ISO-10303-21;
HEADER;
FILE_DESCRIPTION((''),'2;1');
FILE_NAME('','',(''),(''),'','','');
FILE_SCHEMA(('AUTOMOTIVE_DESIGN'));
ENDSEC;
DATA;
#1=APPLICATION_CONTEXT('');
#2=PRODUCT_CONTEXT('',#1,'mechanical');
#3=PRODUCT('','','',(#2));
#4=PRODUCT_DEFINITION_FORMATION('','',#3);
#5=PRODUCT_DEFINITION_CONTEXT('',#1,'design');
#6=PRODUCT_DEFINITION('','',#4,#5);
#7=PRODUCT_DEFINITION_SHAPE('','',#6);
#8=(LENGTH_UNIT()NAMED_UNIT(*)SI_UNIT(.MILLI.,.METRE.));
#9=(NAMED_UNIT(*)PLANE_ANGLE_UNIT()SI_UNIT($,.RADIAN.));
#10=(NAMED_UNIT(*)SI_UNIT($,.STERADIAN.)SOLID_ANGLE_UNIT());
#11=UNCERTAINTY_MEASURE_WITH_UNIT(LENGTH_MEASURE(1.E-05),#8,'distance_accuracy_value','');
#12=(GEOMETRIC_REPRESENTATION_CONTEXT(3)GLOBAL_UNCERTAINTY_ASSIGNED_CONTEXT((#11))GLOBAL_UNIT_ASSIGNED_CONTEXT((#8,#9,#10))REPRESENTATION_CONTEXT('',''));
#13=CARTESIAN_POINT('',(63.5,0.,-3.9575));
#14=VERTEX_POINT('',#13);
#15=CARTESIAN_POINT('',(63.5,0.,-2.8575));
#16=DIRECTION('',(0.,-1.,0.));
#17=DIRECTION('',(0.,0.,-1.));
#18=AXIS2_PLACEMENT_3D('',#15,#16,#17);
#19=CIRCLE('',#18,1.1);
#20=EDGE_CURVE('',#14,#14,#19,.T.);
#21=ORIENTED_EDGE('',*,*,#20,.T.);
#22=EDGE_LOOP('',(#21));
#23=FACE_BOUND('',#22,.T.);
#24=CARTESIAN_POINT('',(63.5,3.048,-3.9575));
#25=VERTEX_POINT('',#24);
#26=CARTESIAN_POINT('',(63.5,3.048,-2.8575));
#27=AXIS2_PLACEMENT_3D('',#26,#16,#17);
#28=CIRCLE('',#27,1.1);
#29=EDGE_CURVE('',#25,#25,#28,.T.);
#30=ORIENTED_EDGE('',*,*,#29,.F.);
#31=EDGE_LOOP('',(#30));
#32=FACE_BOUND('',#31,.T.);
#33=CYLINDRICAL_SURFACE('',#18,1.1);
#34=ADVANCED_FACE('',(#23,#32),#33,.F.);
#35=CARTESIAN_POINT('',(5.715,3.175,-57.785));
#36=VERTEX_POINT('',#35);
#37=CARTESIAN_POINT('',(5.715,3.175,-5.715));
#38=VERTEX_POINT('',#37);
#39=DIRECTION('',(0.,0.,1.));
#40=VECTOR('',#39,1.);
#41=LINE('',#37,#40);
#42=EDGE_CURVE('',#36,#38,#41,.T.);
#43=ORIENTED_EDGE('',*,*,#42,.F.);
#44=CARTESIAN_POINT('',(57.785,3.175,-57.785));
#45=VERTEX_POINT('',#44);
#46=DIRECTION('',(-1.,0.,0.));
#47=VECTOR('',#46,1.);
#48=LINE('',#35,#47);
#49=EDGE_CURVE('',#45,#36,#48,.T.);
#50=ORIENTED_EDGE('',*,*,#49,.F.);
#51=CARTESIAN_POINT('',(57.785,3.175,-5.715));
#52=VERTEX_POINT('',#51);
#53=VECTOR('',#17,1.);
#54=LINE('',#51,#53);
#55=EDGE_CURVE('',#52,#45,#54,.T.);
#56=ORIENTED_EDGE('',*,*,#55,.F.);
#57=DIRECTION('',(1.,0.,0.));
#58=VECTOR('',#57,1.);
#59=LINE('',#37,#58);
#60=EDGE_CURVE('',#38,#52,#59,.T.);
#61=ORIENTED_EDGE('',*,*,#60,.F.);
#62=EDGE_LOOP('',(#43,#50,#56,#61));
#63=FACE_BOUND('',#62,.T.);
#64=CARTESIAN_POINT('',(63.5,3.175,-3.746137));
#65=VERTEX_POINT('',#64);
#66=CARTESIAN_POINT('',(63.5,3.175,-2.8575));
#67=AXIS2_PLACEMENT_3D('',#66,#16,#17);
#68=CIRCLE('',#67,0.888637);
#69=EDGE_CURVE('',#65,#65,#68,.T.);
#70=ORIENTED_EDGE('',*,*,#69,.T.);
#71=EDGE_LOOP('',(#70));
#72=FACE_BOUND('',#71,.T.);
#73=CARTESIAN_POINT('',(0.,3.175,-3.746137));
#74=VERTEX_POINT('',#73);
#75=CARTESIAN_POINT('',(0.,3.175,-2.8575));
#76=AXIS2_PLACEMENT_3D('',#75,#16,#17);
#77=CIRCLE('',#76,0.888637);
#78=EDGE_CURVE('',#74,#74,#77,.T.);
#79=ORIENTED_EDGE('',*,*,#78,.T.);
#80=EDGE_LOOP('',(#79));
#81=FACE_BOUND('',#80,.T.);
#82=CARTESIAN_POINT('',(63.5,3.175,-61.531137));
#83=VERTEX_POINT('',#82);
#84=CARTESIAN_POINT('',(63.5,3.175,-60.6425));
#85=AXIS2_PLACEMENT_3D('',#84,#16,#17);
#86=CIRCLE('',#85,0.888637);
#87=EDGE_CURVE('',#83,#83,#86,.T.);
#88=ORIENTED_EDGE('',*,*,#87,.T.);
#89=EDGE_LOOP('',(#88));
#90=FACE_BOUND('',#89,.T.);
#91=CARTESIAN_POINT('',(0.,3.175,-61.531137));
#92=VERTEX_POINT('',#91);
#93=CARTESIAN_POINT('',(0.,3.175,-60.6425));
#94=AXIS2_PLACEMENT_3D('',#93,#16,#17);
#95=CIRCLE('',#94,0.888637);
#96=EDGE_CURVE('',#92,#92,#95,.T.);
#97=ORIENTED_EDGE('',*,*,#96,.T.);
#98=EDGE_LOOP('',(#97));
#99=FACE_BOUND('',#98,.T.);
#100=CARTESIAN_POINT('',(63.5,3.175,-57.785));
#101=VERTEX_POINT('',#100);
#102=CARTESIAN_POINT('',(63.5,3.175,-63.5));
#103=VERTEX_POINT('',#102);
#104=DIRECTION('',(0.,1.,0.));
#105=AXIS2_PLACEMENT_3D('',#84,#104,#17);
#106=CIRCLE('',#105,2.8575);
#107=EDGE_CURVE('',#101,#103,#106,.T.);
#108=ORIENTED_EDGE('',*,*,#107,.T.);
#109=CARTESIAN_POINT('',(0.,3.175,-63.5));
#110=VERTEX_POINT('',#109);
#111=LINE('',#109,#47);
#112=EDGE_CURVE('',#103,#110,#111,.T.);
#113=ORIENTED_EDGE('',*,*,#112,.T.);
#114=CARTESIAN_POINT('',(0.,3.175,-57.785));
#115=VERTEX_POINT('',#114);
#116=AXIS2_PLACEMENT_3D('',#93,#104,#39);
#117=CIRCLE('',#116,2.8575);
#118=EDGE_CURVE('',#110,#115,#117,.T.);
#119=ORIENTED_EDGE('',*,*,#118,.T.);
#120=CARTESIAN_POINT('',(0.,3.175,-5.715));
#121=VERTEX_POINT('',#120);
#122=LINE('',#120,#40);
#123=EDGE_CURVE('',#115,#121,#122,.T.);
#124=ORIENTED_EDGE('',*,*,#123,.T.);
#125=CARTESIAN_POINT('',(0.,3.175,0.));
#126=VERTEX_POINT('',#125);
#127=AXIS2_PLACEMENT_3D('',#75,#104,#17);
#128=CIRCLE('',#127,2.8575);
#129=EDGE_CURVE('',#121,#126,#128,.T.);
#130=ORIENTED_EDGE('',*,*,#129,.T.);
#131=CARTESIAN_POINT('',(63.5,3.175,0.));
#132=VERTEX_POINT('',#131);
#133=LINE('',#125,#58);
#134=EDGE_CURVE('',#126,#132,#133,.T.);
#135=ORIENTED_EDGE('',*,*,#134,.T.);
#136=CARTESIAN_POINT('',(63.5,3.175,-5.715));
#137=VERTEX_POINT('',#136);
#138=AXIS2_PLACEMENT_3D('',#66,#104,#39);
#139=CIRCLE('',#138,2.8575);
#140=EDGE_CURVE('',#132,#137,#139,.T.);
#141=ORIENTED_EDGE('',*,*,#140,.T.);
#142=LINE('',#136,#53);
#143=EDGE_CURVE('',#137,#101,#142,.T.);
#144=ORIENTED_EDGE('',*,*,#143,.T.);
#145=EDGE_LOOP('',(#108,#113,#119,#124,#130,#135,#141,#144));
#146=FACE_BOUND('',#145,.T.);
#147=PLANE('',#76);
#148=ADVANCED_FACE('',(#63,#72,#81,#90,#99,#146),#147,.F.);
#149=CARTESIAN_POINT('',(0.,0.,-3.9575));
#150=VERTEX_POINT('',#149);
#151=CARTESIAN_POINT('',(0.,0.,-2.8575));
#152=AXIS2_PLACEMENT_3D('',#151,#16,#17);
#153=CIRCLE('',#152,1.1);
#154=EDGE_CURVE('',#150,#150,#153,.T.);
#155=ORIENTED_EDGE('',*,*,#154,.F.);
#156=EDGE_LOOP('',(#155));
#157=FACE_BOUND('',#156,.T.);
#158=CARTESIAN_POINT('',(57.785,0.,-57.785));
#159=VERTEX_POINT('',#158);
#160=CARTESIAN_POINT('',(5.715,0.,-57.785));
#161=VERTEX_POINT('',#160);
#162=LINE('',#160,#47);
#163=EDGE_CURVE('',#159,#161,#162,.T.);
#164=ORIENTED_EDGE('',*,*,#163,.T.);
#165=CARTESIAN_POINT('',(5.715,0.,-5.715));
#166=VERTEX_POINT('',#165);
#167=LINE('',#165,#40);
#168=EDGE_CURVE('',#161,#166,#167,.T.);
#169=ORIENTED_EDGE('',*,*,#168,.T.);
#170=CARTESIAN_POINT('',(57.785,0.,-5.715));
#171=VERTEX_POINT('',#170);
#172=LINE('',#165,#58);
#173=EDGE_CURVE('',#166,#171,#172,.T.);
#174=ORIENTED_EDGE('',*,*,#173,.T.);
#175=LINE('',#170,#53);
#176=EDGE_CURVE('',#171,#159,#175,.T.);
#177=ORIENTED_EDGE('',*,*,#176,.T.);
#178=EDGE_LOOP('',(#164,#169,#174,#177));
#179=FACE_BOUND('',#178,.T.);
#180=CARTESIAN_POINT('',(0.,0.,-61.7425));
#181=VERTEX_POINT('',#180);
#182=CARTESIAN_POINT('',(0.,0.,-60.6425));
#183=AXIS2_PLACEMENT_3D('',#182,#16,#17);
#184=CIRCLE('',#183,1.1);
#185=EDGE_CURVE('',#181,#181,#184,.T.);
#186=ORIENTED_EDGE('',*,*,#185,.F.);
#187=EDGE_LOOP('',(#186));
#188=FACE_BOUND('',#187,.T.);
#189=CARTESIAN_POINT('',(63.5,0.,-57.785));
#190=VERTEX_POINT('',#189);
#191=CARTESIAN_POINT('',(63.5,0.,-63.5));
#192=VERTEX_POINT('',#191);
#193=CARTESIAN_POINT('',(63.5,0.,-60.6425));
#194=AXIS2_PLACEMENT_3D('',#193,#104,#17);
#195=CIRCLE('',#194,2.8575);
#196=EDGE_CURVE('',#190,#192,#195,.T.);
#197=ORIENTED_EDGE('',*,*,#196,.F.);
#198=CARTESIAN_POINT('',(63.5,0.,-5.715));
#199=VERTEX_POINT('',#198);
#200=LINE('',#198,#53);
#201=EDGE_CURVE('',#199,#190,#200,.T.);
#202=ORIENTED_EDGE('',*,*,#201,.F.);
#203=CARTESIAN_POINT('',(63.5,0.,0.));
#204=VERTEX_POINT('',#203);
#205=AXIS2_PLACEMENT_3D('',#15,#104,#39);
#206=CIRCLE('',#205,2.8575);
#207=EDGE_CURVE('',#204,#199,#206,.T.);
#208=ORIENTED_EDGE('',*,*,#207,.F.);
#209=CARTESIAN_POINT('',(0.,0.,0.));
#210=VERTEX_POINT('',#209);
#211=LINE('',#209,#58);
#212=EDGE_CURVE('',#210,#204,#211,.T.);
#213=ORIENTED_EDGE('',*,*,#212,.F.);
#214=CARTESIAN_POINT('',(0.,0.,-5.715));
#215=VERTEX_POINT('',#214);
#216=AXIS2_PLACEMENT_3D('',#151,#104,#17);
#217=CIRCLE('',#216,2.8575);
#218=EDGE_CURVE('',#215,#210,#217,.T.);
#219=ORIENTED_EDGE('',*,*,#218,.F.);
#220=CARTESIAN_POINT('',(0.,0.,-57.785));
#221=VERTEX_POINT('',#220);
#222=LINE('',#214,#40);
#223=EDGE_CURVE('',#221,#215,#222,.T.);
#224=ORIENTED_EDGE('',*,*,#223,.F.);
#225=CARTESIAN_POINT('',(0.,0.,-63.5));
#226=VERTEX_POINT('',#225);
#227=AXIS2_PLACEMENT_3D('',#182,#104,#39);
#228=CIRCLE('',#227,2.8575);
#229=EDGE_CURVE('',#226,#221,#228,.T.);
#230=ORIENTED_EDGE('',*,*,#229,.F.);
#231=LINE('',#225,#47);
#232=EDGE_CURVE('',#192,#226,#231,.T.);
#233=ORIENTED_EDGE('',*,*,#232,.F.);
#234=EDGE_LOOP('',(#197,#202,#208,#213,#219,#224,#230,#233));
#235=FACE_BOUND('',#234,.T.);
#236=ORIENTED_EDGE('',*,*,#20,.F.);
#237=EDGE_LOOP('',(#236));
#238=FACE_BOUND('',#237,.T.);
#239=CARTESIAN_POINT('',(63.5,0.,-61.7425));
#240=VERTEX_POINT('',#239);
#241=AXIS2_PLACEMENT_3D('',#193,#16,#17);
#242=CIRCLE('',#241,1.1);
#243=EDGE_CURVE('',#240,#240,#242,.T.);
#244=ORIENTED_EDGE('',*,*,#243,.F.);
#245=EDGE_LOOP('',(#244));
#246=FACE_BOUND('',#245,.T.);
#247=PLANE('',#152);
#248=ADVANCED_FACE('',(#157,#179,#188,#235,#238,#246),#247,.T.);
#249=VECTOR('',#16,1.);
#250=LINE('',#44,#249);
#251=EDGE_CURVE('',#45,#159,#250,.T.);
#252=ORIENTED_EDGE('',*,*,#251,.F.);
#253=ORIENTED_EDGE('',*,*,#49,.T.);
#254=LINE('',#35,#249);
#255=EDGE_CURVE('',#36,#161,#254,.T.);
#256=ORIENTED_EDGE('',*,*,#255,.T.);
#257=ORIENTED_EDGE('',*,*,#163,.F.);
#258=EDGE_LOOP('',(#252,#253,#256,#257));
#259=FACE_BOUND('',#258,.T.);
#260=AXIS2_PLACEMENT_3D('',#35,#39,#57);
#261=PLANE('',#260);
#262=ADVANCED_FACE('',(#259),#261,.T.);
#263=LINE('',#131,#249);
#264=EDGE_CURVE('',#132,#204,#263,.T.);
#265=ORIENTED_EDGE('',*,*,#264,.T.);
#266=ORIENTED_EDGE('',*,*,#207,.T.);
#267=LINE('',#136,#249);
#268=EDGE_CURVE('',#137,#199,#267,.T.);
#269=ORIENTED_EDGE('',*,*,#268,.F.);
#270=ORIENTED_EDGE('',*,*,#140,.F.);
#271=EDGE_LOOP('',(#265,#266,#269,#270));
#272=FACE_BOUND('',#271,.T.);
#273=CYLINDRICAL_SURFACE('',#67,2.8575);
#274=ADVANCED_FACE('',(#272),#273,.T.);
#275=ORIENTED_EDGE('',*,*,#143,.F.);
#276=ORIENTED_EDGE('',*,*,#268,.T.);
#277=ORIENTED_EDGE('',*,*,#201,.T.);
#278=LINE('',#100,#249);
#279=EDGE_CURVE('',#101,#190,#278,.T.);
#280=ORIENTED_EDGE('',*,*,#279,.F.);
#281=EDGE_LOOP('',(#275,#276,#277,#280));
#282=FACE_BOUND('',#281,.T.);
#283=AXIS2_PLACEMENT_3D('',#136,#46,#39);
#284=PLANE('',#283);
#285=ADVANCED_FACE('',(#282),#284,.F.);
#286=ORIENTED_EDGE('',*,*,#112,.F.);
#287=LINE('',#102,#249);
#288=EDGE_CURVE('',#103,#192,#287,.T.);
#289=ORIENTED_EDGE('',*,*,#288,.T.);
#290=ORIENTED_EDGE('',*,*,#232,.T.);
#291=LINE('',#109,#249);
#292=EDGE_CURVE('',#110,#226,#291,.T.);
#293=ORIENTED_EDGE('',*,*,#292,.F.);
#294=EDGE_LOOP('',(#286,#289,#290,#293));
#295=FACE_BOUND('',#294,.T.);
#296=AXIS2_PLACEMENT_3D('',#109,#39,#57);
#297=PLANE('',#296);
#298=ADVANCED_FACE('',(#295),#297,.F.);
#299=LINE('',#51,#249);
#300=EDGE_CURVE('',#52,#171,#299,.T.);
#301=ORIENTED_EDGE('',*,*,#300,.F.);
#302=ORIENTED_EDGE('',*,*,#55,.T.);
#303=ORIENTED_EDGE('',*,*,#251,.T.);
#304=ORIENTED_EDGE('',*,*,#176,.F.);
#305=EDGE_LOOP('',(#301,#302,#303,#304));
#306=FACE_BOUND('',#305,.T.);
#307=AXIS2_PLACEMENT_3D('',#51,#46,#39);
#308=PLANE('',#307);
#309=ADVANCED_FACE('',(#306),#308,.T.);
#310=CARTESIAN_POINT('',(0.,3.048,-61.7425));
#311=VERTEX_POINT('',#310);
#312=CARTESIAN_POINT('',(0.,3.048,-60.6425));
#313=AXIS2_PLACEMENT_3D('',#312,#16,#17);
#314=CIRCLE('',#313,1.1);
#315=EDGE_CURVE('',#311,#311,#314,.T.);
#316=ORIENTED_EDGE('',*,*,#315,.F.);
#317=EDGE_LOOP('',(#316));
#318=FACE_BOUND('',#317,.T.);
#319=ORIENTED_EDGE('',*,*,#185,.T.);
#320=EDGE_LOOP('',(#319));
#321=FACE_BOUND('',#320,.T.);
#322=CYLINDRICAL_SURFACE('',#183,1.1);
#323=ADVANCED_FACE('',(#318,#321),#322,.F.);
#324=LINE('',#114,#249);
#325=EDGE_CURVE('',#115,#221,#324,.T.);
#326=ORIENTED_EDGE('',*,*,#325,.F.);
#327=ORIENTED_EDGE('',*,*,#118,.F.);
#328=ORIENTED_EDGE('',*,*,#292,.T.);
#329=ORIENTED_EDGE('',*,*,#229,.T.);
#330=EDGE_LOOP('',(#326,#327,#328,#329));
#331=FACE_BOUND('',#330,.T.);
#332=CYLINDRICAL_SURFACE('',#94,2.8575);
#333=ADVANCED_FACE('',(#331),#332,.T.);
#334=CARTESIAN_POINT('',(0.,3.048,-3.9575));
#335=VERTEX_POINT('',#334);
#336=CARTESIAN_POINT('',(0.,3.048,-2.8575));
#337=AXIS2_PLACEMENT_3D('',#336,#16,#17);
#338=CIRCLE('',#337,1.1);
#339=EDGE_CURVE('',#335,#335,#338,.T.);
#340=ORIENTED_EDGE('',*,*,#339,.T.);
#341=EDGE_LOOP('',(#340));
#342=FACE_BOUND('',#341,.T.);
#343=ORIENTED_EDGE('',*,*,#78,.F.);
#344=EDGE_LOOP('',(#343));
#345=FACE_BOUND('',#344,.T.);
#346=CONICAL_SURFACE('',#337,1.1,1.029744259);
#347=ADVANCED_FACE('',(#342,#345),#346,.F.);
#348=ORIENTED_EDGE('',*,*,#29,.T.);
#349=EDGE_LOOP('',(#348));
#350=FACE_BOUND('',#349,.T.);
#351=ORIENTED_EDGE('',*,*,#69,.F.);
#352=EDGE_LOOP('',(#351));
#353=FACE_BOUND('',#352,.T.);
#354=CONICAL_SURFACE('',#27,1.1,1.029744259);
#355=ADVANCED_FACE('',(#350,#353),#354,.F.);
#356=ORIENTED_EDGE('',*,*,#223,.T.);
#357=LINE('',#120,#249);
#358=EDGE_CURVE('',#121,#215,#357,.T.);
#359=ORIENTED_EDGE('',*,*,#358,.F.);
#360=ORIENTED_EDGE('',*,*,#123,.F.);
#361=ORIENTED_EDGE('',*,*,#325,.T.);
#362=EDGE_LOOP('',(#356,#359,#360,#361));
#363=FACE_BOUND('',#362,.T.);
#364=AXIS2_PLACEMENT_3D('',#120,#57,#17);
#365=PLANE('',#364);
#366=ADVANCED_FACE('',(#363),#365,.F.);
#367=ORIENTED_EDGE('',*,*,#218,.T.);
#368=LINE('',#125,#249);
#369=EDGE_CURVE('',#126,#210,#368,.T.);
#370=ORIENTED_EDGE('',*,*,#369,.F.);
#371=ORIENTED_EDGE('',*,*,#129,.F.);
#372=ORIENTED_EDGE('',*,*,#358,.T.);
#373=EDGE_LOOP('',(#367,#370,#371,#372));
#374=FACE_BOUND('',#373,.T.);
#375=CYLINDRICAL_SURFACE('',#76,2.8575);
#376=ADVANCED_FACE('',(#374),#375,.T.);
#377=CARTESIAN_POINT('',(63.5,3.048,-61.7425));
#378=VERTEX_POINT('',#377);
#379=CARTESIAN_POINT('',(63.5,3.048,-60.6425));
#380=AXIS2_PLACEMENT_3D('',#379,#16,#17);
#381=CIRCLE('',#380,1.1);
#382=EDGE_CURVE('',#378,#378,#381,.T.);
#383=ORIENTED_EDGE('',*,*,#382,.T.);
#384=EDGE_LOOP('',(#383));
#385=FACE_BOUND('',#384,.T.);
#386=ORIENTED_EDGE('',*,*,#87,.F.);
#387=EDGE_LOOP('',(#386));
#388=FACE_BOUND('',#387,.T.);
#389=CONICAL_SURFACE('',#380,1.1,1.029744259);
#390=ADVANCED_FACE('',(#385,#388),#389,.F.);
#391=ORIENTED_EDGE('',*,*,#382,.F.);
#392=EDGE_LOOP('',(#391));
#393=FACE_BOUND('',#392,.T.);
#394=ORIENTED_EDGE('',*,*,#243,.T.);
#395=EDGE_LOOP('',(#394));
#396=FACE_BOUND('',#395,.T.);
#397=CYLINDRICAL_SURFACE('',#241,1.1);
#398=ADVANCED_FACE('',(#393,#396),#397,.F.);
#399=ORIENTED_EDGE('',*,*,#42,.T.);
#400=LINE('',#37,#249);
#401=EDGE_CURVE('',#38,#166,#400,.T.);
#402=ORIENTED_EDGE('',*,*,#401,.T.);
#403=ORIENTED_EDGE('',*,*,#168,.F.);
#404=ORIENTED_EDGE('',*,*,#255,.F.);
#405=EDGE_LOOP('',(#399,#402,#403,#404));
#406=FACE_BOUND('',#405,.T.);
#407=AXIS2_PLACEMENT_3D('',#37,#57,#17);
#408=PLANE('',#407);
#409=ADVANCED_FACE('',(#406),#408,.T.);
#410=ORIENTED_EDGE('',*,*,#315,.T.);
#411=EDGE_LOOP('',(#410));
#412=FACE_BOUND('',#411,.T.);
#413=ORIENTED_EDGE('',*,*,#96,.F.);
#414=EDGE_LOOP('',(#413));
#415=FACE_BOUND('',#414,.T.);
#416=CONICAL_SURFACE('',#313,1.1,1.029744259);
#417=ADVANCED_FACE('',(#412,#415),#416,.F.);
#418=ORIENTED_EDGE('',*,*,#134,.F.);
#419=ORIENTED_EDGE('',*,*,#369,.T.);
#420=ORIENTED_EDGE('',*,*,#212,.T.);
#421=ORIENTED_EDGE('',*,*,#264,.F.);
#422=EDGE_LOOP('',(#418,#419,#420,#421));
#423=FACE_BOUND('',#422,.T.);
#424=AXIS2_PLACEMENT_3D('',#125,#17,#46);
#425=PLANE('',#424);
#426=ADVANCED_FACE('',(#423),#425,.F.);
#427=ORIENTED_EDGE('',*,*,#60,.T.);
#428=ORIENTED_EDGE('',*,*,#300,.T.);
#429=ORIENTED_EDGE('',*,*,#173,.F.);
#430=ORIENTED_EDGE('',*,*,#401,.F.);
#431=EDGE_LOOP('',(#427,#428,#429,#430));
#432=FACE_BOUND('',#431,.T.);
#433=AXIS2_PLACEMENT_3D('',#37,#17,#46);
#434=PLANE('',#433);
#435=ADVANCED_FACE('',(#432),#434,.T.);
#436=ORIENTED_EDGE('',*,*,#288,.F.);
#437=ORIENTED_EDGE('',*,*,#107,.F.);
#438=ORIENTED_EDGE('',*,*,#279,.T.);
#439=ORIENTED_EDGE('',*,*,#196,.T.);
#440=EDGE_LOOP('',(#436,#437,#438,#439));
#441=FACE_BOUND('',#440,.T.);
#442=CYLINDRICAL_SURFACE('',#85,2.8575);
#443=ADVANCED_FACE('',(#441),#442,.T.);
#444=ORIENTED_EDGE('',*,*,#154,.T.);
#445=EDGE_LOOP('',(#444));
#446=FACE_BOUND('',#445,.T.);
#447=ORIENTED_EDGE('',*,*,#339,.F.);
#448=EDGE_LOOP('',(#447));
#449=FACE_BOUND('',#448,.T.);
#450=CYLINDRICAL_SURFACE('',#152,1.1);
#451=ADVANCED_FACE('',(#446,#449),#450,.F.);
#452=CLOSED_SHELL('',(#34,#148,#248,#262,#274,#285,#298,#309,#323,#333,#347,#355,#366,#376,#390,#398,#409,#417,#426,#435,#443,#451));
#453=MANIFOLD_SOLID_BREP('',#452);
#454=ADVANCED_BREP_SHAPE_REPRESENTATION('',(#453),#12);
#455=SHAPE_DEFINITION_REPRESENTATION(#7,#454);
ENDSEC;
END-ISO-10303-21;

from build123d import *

# Parameters (mm, degrees)
SKETCH1_W                = 52.07
SKETCH1_H                = 52.07
BOSS_EXTRUDE1_DEPTH      = 3.175
M2_CLEARANCE_HOLE1_D     = 2.2
M2_CLEARANCE_HOLE1_DEPTH = 3.048
M2_CLEARANCE_HOLE1_TIP   = 0.660946681


with BuildPart() as part:
    # Sketch1 → Boss-Extrude1 (new body)
    with BuildSketch(Plane(origin=(0, 0, 0), x_dir=(1, 0, 0), z_dir=(0, 1, 0))):
        with BuildLine():
            Line((0, 0), (63.5, 0))
            ThreePointArc((63.5, 0), (66.3575, 2.8575), (63.5, 5.715))
            Line((63.5, 5.715), (63.5, 57.785))
            ThreePointArc((63.5, 57.785), (66.3575, 60.6425), (63.5, 63.5))
            Line((63.5, 63.5), (0, 63.5))
            ThreePointArc((0, 63.5), (-2.8575, 60.6425), (0, 57.785))
            Line((0, 57.785), (0, 5.715))
            ThreePointArc((0, 5.715), (-2.8575, 2.8575), (0, 0))
        make_face()
        with Locations((31.75, 31.75)):
            Rectangle(SKETCH1_W, SKETCH1_H, mode=Mode.SUBTRACT)
    extrude(amount=BOSS_EXTRUDE1_DEPTH)

    # M2 Clearance Hole1
    with Locations(Plane(origin=(0, 0, 0), x_dir=(-1, 0, 0), z_dir=(0, -1, 0))):
        with Locations((-63.5, 60.6425), (0, 60.6425), (0, 2.8575), (-63.5, 2.8575)):
            Hole(M2_CLEARANCE_HOLE1_D / 2, depth=M2_CLEARANCE_HOLE1_DEPTH)
            with Locations((0, 0, -(M2_CLEARANCE_HOLE1_DEPTH + M2_CLEARANCE_HOLE1_TIP / 2))):  # 118° drill point
                Cone(0, M2_CLEARANCE_HOLE1_D / 2, M2_CLEARANCE_HOLE1_TIP, mode=Mode.SUBTRACT)


solid = part.part
